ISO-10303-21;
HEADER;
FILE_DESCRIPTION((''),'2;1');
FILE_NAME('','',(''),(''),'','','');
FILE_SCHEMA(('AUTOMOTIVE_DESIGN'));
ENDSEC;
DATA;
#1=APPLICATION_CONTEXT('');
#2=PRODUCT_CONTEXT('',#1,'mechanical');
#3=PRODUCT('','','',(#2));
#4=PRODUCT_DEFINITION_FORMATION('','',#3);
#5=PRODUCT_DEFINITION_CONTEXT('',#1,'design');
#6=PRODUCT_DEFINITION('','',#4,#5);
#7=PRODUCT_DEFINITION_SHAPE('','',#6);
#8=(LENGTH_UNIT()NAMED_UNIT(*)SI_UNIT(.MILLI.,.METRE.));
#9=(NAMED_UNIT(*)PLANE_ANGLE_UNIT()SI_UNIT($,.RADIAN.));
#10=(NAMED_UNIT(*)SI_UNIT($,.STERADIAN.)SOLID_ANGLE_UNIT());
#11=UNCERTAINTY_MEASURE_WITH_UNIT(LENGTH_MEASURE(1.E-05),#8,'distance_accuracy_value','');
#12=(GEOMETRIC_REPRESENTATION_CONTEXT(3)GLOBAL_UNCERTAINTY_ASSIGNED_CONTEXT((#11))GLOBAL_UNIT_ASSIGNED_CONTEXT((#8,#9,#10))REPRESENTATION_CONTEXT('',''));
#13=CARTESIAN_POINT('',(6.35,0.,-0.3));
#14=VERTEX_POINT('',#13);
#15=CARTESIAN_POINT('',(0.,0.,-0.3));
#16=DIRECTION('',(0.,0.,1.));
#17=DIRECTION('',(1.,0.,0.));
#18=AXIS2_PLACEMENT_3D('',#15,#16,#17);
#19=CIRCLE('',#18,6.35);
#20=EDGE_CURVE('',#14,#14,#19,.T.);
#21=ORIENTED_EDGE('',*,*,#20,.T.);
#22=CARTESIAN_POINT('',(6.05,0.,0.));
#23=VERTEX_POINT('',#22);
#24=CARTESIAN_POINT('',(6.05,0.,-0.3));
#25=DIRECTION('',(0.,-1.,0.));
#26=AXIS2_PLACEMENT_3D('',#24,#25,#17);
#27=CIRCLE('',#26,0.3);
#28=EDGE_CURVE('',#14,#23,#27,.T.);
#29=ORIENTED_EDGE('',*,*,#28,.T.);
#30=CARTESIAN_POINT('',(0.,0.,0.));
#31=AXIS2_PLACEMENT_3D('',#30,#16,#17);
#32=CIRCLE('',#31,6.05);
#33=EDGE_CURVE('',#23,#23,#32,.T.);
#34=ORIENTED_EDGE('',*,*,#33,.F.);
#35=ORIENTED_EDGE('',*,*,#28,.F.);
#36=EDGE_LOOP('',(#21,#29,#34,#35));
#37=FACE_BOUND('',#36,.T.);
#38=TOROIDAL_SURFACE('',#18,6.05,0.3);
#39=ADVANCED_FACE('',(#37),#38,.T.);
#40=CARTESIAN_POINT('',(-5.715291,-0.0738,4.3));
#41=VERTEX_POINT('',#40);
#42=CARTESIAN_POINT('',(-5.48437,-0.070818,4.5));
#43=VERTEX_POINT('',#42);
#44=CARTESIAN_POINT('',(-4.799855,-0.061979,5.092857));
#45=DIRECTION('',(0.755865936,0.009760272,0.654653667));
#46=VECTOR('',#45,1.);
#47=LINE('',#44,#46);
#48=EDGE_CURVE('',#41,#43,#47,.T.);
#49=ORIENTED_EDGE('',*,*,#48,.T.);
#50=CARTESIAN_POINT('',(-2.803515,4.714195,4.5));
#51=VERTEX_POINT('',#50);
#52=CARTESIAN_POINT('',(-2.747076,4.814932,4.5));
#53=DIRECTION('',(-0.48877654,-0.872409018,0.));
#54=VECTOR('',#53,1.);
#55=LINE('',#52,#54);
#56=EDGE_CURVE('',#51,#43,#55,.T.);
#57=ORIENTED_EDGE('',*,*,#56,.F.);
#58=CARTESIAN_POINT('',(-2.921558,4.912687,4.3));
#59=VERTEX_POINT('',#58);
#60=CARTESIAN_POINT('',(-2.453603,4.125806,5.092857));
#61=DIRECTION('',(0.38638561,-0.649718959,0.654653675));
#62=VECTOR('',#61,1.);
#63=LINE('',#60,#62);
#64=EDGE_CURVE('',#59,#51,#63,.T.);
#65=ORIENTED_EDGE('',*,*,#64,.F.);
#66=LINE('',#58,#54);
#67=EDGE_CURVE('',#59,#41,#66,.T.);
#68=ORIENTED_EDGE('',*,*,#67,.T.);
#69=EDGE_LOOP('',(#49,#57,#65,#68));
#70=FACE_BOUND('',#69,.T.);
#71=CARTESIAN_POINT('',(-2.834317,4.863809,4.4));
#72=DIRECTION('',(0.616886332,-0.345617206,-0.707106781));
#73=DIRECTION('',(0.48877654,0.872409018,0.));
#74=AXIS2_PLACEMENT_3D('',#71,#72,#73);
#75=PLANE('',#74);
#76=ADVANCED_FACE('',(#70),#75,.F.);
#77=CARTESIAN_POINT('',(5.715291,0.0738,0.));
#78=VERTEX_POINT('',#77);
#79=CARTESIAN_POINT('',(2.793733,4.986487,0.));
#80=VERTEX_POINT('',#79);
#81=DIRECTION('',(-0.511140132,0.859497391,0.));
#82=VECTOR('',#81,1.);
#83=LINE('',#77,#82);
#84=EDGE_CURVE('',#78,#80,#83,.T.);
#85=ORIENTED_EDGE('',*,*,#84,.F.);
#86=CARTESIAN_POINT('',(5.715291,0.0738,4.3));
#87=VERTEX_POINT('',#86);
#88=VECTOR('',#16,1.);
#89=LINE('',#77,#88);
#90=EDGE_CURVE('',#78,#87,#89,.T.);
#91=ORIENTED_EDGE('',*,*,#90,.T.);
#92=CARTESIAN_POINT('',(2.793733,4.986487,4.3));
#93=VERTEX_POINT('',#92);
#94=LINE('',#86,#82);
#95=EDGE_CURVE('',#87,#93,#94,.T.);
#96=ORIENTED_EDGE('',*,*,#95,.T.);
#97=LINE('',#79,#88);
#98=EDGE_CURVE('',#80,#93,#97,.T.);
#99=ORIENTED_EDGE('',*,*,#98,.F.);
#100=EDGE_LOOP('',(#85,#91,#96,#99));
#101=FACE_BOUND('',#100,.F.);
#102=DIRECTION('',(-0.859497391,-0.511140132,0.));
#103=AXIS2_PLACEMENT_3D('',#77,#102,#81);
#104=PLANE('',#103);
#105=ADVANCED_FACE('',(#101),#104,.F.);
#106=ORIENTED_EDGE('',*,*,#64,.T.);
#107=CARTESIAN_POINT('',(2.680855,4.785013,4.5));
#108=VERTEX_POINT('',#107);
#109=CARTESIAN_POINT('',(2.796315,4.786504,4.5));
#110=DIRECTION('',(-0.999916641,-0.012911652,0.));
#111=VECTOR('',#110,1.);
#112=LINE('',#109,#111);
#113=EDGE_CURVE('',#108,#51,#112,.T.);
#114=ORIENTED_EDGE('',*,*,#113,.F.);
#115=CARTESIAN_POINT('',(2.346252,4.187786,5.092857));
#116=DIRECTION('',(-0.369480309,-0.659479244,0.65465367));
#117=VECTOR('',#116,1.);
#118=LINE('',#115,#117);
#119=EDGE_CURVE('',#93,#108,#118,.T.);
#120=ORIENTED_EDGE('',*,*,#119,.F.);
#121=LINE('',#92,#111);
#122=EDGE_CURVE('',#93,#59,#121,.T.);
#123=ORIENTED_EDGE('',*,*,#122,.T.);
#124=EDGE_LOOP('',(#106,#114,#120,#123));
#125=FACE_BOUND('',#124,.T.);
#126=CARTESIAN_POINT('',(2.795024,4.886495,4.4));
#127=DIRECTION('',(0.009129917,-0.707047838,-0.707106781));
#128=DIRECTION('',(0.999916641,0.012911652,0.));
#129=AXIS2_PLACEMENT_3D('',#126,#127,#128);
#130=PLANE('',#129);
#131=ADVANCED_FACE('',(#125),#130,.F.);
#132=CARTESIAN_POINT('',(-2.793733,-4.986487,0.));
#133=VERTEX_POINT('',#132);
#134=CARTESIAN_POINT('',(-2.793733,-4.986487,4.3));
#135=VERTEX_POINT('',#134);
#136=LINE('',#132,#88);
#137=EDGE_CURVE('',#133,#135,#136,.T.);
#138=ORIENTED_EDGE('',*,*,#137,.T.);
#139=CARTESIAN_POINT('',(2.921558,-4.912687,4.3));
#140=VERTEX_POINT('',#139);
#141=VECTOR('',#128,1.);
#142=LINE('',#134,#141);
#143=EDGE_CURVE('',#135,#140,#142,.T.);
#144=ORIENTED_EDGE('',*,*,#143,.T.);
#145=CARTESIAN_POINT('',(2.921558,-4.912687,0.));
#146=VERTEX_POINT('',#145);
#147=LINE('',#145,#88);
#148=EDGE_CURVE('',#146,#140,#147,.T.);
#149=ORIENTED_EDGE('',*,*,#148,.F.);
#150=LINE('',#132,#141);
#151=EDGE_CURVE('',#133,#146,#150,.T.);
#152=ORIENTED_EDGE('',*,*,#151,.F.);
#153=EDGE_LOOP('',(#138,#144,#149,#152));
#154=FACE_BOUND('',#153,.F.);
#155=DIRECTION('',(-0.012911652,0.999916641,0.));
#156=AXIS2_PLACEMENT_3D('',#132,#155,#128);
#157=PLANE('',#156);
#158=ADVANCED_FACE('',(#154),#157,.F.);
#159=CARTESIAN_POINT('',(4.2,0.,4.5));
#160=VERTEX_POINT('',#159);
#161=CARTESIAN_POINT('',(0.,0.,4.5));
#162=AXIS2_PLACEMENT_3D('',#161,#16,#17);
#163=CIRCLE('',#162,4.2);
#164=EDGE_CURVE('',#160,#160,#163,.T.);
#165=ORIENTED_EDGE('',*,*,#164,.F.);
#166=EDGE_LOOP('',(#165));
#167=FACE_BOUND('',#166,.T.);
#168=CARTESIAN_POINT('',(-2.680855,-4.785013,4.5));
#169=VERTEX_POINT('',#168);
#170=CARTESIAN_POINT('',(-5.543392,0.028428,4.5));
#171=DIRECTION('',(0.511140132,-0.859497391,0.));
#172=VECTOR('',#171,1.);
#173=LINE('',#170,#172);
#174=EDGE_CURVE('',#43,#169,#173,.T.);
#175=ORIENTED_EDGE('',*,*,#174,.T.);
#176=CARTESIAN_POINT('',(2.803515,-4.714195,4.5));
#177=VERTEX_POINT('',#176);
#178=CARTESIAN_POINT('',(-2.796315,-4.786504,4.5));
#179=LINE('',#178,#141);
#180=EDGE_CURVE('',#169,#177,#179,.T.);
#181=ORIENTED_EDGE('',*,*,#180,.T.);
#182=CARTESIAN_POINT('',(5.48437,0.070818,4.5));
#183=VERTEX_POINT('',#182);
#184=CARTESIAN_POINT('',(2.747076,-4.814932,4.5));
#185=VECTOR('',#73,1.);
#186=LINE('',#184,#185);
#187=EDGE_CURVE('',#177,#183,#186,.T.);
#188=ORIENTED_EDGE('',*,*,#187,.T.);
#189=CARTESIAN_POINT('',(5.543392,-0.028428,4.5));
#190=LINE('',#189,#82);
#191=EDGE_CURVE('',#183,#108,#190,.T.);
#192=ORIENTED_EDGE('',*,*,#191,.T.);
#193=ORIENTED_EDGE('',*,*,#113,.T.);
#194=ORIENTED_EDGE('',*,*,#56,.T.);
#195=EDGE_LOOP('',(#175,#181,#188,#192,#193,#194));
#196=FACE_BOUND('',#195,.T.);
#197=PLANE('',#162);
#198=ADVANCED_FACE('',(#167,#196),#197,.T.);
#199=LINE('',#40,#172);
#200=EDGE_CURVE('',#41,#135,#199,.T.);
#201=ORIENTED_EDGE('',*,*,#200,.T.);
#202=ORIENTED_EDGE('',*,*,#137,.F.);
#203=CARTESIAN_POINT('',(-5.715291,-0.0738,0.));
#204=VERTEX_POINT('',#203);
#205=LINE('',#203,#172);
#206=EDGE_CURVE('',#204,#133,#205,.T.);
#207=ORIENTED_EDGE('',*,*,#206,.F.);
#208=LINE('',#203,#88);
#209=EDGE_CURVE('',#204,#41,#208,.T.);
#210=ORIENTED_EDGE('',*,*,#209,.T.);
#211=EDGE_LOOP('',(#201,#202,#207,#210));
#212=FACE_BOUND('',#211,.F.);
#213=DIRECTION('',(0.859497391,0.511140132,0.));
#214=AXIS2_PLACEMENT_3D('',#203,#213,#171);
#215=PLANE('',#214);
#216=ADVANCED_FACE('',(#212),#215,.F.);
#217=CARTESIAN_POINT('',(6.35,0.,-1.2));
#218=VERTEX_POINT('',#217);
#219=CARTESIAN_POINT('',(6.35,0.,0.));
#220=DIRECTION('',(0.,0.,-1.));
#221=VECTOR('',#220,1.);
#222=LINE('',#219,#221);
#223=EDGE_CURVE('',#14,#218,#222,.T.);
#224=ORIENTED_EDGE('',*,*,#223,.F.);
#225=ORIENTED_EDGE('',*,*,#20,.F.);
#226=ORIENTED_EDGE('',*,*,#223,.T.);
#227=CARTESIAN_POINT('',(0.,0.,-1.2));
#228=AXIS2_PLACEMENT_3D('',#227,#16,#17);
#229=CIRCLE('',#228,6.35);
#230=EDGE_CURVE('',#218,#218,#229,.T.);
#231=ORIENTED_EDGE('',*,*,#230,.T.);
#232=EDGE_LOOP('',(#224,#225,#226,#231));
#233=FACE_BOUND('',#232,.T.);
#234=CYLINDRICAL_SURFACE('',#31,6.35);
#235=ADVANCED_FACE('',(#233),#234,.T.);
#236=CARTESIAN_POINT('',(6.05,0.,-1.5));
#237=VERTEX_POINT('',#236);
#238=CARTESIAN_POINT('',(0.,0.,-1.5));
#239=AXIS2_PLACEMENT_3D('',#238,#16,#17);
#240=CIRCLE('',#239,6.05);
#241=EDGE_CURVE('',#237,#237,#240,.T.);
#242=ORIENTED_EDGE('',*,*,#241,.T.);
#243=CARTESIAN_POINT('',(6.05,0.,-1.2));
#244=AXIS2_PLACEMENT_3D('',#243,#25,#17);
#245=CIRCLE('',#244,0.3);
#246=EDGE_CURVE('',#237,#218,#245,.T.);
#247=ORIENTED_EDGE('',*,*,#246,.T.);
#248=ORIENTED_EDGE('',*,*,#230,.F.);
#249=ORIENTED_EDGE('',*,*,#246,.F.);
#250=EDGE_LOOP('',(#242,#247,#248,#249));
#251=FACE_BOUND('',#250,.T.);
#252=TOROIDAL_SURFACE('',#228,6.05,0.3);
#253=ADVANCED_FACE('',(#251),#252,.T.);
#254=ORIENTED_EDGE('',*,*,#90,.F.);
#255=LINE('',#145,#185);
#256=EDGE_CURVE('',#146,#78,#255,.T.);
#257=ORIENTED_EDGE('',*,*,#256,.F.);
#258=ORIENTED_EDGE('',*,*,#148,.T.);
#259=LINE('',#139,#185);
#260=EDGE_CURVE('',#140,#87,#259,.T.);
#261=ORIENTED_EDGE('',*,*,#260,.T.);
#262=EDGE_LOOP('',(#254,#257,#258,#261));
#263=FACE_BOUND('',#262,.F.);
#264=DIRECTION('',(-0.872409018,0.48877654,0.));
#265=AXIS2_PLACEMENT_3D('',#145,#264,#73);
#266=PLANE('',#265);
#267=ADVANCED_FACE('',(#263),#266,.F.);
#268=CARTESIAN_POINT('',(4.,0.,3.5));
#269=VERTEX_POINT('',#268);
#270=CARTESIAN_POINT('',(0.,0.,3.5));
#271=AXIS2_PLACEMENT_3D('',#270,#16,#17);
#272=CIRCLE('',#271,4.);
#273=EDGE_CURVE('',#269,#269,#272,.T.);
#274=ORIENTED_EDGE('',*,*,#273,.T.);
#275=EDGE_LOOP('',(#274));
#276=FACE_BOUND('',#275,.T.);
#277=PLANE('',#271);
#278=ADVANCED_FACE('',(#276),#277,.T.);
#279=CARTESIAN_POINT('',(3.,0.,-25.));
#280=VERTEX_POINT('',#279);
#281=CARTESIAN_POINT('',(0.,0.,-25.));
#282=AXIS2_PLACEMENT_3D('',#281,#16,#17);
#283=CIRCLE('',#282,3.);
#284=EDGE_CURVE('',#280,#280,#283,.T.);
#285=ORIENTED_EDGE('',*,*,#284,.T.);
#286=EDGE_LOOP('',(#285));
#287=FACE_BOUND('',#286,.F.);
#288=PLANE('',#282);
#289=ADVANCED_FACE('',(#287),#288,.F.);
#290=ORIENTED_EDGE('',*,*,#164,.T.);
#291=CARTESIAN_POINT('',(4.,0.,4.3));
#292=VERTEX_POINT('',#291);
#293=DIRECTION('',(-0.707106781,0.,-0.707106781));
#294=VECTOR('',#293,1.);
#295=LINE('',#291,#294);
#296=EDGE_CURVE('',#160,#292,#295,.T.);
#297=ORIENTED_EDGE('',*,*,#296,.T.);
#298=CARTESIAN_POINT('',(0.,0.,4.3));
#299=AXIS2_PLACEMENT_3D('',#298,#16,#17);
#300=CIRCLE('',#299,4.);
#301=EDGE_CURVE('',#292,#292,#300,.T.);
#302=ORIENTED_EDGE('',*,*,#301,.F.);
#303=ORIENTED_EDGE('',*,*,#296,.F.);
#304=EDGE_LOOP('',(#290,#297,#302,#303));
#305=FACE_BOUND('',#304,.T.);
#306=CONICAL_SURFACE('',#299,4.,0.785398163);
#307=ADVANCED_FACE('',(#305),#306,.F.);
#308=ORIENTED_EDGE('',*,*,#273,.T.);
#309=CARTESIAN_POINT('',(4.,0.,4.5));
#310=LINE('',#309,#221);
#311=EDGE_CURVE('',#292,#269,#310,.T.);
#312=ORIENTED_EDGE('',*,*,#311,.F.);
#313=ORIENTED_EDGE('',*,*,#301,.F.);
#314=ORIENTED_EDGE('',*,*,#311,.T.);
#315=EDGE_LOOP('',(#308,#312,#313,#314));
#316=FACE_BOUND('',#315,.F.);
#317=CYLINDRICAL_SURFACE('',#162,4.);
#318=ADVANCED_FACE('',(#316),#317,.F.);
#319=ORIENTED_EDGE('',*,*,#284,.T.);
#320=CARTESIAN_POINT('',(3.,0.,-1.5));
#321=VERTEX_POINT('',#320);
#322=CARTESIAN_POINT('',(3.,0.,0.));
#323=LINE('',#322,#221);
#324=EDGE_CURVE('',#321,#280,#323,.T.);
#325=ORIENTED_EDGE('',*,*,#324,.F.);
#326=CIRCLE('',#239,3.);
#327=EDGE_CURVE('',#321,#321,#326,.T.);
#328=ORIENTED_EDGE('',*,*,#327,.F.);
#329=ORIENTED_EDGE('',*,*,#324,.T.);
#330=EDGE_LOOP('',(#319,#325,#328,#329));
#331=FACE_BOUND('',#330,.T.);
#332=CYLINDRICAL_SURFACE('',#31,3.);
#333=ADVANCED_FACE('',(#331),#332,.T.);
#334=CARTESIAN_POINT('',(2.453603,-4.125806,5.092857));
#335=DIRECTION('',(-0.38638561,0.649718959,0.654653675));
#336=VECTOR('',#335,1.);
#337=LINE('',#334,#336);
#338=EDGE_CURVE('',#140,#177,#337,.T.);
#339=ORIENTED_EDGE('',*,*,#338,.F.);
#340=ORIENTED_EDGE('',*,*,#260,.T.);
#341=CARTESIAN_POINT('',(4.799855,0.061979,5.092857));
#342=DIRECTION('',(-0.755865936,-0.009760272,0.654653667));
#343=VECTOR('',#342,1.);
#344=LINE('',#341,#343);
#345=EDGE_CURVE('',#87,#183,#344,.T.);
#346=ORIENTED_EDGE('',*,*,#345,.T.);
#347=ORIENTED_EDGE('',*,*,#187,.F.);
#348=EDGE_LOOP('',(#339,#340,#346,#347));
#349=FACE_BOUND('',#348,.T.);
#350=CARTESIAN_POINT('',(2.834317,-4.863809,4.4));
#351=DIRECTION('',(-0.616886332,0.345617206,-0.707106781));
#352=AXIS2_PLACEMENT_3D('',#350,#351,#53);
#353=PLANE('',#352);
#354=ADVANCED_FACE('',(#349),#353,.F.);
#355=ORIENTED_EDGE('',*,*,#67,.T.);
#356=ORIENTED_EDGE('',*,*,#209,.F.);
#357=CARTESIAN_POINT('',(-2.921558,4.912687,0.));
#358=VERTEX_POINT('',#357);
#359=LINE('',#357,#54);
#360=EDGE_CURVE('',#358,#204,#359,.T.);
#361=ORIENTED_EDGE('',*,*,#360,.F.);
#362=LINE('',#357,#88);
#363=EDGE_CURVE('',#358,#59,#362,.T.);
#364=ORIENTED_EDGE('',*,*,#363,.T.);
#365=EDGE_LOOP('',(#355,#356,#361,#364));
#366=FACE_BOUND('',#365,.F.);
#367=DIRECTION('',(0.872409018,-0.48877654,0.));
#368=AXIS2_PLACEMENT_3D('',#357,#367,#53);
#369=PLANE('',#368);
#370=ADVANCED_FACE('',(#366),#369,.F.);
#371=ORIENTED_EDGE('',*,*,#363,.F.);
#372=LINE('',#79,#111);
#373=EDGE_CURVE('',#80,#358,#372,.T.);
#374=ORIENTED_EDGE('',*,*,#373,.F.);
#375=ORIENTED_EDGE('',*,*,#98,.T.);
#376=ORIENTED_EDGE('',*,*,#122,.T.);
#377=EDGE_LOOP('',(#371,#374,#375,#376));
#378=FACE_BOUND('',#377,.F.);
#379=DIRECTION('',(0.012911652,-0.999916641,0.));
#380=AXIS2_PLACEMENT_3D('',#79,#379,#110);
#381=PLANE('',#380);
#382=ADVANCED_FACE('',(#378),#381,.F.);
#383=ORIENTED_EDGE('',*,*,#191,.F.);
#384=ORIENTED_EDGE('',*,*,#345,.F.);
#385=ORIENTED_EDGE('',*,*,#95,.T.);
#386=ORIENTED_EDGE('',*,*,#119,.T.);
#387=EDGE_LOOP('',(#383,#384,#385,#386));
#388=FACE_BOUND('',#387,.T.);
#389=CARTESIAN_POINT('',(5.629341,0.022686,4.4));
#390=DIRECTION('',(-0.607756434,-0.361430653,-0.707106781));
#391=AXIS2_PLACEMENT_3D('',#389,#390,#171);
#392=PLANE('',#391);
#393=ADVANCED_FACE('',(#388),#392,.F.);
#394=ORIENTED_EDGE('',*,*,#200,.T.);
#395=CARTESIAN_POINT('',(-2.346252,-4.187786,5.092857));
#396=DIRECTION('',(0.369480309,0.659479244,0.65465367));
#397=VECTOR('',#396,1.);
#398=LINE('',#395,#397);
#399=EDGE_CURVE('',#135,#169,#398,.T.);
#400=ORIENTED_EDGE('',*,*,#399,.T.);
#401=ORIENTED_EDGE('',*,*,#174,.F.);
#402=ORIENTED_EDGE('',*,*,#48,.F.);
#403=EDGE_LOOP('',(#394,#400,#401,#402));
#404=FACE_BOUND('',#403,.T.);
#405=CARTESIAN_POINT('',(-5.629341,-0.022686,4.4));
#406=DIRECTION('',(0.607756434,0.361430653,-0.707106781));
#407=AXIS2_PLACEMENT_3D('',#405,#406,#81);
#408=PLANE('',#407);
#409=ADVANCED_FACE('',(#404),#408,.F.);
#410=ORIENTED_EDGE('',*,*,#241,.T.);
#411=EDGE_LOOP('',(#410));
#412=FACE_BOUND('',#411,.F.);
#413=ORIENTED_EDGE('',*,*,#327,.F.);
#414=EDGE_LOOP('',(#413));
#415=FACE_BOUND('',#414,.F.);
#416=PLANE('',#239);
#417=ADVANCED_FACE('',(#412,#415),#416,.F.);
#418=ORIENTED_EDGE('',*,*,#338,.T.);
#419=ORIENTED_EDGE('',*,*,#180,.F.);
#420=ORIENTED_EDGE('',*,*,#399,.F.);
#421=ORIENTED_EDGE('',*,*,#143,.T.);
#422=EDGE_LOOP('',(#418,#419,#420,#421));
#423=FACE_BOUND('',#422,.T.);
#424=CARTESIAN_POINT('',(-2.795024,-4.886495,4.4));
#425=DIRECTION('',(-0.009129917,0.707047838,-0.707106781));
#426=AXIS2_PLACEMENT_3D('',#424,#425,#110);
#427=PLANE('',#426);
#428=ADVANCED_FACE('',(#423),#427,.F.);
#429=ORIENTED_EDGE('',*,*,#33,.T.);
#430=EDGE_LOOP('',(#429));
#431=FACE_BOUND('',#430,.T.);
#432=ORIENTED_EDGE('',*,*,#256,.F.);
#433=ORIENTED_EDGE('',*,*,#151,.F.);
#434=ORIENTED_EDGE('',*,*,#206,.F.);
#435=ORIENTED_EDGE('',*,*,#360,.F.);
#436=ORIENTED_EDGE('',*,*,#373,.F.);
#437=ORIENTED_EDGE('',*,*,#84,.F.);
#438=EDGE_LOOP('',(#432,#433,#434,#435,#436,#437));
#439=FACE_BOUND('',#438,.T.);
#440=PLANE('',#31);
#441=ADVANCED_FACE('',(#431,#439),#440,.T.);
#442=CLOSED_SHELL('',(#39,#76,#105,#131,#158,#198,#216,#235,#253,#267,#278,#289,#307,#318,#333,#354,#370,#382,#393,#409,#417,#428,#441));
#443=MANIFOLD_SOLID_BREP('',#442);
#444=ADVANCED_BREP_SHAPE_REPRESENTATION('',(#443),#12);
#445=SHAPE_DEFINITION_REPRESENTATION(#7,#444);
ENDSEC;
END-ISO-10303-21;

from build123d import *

# Parameters (mm, degrees)
F0_R     = 3
F1_DEPTH = 4.5
F0_R_2   = 6.35
F2_DEPTH = 1.5
F3_DEPTH = 25
F4_R     = 0.3
F5_R     = 4
F6_DEPTH = 1
F7_SIZE  = 0.2


with BuildPart() as f1:
    # F0 (on Top) → F1 (new body)
    with BuildSketch(Plane.XY):
        Polygon((2.921558, -4.912687), (5.715291, 0.0738), (2.793733, 4.986487), (-2.921558, 4.912687), (-5.715291, -0.0738), (-2.793733, -4.986487), align=None)
        Circle(F0_R, mode=Mode.SUBTRACT)
        Circle(F0_R)
    extrude(amount=F1_DEPTH)

    # F0 (on Top) → F2 (join)
    with BuildSketch(Plane.XY):
        Circle(F0_R_2)
        Polygon((2.793733, 4.986487), (5.715291, 0.0738), (2.921558, -4.912687), (-2.793733, -4.986487), (-5.715291, -0.0738), (-2.921558, 4.912687), align=None, mode=Mode.SUBTRACT)
        Circle(F0_R)
        Polygon((2.921558, -4.912687), (5.715291, 0.0738), (2.793733, 4.986487), (-2.921558, 4.912687), (-5.715291, -0.0738), (-2.793733, -4.986487), align=None)
        Circle(F0_R, mode=Mode.SUBTRACT)
    extrude(amount=-F2_DEPTH)

    # F0 (on Top) → F3 (join)
    with BuildSketch(Plane.XY):
        Circle(F0_R)
    extrude(amount=-F3_DEPTH)

    # F4
    f4_edges = [f1.edges().sort_by_distance(p)[0] for p in [
        (6.35, 0, -0.75),
        (-6.35, 0, 0),
        (-6.35, 0, -1.5),
    ]]
    fillet(f4_edges, radius=F4_R)

    # F5 (on face) → F6 (cut)
    with BuildSketch(Plane.XY.offset(4.5)):
        Circle(F5_R)
    extrude(amount=-F6_DEPTH, mode=Mode.SUBTRACT)

    # F7
    f7_edges = [f1.edges().sort_by_distance(p)[0] for p in [
        (0.063913, -4.949587, 4.5),
        (-4.254512, -2.530144, 4.5),
        (4.318425, -2.419444, 4.5),
        (-4.318425, 2.419444, 4.5),
        (4.254512, 2.530144, 4.5),
        (-0.063913, 4.949587, 4.5),
        (-4, 0, 4.5),
    ]]
    chamfer(f7_edges, length=F7_SIZE)


solid = f1.part
